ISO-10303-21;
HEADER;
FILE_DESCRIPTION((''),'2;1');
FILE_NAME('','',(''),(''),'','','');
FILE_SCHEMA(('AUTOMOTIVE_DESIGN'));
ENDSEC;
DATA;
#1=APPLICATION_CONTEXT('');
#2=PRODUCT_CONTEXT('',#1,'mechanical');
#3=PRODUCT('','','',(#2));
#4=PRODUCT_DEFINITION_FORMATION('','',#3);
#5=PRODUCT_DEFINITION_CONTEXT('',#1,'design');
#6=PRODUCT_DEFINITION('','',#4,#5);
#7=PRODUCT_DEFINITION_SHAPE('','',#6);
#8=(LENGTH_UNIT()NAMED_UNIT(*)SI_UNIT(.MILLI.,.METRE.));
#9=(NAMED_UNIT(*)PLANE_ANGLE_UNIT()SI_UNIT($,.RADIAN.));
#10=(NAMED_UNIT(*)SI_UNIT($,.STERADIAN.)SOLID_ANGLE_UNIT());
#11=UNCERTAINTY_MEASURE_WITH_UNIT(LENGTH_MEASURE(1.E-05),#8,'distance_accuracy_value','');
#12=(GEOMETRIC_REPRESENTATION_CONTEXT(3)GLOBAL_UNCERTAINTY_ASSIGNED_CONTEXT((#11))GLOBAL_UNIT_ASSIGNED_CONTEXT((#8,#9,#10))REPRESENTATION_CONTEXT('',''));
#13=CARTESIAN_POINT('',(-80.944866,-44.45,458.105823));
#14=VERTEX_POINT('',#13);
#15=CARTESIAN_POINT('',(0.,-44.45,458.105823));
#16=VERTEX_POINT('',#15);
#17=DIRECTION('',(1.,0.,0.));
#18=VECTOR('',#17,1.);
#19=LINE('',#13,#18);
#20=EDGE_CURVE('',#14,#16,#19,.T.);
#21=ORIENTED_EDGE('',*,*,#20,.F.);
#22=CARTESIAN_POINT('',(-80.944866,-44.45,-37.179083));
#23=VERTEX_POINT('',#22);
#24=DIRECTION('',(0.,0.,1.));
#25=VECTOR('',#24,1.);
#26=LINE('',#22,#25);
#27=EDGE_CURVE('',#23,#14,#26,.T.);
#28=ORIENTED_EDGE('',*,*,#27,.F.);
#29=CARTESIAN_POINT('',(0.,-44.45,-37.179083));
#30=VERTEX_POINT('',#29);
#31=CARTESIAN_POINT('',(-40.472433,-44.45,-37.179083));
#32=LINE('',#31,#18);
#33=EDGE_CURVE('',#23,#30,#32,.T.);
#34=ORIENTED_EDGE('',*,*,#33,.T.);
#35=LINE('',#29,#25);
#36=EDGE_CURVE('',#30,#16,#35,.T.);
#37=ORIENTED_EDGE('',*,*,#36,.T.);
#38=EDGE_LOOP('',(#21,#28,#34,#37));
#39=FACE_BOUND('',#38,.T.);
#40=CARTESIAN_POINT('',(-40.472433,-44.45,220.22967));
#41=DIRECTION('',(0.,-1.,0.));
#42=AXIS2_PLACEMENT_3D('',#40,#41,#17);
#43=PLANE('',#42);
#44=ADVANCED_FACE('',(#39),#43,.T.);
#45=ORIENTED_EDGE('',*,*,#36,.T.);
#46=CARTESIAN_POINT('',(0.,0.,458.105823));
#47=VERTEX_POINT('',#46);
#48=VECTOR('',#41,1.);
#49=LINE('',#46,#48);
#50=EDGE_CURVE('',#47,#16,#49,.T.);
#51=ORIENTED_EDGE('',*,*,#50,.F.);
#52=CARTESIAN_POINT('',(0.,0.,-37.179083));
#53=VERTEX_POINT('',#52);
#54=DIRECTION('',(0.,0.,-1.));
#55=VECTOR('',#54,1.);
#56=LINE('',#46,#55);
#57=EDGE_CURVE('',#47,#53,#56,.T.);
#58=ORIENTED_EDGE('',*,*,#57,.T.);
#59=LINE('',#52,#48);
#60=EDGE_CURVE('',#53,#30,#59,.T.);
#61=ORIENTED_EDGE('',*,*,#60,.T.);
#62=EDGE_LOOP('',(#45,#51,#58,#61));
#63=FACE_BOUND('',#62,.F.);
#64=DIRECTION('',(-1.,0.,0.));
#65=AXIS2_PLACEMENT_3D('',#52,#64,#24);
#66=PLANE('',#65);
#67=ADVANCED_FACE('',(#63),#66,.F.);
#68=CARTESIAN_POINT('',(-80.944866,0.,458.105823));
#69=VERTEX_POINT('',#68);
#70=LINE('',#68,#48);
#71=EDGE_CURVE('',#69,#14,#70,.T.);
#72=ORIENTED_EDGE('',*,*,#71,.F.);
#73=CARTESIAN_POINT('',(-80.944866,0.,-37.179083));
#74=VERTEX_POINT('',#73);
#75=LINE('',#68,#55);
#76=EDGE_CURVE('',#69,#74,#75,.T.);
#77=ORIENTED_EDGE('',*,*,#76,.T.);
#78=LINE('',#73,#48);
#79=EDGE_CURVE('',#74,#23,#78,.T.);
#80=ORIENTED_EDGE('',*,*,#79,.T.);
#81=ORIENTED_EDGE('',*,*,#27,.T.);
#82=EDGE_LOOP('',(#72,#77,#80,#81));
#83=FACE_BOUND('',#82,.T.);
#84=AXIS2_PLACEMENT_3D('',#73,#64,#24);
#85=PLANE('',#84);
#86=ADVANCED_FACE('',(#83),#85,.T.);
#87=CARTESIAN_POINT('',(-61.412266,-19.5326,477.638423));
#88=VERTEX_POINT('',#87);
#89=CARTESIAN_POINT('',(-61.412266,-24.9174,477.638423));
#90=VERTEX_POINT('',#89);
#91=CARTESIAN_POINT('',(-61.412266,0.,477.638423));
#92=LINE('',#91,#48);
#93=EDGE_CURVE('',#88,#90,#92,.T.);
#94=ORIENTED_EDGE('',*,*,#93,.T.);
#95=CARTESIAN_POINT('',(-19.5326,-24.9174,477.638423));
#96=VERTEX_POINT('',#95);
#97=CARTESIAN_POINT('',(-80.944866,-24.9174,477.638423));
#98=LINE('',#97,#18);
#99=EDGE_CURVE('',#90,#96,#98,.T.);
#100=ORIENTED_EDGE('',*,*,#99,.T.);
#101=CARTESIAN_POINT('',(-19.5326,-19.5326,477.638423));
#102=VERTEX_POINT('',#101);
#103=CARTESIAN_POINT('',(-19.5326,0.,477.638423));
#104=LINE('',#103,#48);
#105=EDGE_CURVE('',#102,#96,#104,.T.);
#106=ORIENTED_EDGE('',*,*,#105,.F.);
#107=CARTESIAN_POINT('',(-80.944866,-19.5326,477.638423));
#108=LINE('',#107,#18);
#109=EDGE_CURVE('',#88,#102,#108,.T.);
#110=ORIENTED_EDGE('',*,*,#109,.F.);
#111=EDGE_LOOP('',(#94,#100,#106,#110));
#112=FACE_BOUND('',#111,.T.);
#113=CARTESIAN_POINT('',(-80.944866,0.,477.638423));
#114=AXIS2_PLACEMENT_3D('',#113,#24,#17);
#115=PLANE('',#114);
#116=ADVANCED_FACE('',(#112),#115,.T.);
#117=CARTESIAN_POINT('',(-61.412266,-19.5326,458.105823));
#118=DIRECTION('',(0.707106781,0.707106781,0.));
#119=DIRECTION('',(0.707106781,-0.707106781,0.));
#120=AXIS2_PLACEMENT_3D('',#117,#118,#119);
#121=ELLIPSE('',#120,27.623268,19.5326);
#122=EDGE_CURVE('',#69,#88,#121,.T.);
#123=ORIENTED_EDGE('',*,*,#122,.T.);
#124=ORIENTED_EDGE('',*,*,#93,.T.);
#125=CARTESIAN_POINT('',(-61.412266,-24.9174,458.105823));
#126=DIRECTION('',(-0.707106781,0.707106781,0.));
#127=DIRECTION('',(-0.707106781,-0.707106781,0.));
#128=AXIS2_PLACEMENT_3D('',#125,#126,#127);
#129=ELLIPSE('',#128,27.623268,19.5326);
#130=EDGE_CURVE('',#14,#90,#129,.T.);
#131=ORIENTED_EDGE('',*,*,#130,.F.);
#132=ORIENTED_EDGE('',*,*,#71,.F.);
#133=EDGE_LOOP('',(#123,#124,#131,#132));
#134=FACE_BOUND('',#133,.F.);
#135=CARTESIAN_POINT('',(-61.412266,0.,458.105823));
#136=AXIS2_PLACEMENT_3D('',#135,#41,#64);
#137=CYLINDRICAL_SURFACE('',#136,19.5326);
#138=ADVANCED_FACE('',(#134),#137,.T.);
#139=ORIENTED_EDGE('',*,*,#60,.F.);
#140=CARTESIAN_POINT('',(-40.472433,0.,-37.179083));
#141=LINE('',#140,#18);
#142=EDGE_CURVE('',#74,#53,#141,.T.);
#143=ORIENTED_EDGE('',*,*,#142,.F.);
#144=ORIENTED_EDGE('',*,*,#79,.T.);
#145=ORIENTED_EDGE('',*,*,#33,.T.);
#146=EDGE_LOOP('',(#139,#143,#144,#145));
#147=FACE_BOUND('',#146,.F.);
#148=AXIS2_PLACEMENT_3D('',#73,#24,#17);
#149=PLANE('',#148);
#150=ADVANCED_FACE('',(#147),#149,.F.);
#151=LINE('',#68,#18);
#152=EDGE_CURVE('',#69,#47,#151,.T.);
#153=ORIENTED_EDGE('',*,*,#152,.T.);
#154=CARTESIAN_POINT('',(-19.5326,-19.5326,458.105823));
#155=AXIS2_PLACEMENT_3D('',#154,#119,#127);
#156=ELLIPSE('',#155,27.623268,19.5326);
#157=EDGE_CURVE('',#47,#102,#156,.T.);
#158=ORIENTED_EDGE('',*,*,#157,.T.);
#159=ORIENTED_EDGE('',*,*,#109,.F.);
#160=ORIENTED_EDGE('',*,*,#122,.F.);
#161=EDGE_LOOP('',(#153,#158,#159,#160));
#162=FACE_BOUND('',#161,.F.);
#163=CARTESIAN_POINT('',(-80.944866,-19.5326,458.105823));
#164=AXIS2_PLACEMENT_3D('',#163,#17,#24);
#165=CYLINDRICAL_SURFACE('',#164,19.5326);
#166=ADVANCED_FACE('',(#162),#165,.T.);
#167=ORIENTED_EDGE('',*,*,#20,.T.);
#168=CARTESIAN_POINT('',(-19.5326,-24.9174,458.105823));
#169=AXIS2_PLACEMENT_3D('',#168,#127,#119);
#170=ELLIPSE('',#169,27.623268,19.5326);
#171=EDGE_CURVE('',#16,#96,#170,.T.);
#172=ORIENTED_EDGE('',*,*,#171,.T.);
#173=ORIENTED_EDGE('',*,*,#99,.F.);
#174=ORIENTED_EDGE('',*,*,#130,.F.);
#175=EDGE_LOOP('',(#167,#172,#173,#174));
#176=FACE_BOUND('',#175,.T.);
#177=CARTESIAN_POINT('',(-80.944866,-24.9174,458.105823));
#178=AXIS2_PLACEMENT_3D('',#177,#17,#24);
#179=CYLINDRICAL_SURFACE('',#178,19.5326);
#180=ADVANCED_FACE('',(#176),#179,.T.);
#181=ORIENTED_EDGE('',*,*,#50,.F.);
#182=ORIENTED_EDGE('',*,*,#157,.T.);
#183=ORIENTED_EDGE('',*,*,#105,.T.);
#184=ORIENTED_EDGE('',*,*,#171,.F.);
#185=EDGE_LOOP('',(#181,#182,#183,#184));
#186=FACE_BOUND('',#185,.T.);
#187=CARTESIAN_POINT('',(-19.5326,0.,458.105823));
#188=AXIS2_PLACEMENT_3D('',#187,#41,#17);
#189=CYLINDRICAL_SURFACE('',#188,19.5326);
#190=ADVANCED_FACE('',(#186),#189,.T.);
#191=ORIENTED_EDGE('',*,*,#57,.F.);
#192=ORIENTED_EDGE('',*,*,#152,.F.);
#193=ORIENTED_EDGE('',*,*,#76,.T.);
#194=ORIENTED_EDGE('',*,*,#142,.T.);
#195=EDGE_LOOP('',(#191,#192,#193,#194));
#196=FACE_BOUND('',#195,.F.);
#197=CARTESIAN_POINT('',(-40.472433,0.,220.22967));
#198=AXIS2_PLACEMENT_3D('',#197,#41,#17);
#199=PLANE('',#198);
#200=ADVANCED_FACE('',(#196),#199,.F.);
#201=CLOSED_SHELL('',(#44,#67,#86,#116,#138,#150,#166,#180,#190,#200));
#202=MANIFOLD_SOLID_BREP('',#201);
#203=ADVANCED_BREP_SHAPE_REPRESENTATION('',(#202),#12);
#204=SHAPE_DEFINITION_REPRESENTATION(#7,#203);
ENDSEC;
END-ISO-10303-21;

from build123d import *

# Parameters (mm, degrees)
F0_W      = 80.944866
F0_H      = 514.817506
F1_DEPTH  = 44.45
F2_R      = 19.5326
F1_FACE_W = 80.944866
F1_FACE_H = 44.45
F3_DEPTH  = 62.526703


with BuildPart() as f1:
    # F0 (on Front) → F1 (new body)
    with BuildSketch(Plane.XZ):
        with Locations((-40.472433, 220.22967)):
            Rectangle(F0_W, F0_H)
    extrude(amount=F1_DEPTH)

    # F2
    f2_edges = [f1.edges().sort_by_distance(p)[0] for p in [
        (0, -22.225, 477.638423),
        (-80.944866, -22.225, 477.638423),
        (-40.472433, 0, 477.638423),
        (-40.472433, -44.45, 477.638423),
    ]]
    fillet(f2_edges, radius=F2_R)

    # F1_face (on face) → F3 (join)
    with BuildSketch(Plane(origin=(-40.472433, -22.225, -37.179083), x_dir=(1, 0, 0), z_dir=(0, 0, -1))):
        Rectangle(F1_FACE_W, F1_FACE_H)
    extrude(amount=-F3_DEPTH)


solid = f1.part
